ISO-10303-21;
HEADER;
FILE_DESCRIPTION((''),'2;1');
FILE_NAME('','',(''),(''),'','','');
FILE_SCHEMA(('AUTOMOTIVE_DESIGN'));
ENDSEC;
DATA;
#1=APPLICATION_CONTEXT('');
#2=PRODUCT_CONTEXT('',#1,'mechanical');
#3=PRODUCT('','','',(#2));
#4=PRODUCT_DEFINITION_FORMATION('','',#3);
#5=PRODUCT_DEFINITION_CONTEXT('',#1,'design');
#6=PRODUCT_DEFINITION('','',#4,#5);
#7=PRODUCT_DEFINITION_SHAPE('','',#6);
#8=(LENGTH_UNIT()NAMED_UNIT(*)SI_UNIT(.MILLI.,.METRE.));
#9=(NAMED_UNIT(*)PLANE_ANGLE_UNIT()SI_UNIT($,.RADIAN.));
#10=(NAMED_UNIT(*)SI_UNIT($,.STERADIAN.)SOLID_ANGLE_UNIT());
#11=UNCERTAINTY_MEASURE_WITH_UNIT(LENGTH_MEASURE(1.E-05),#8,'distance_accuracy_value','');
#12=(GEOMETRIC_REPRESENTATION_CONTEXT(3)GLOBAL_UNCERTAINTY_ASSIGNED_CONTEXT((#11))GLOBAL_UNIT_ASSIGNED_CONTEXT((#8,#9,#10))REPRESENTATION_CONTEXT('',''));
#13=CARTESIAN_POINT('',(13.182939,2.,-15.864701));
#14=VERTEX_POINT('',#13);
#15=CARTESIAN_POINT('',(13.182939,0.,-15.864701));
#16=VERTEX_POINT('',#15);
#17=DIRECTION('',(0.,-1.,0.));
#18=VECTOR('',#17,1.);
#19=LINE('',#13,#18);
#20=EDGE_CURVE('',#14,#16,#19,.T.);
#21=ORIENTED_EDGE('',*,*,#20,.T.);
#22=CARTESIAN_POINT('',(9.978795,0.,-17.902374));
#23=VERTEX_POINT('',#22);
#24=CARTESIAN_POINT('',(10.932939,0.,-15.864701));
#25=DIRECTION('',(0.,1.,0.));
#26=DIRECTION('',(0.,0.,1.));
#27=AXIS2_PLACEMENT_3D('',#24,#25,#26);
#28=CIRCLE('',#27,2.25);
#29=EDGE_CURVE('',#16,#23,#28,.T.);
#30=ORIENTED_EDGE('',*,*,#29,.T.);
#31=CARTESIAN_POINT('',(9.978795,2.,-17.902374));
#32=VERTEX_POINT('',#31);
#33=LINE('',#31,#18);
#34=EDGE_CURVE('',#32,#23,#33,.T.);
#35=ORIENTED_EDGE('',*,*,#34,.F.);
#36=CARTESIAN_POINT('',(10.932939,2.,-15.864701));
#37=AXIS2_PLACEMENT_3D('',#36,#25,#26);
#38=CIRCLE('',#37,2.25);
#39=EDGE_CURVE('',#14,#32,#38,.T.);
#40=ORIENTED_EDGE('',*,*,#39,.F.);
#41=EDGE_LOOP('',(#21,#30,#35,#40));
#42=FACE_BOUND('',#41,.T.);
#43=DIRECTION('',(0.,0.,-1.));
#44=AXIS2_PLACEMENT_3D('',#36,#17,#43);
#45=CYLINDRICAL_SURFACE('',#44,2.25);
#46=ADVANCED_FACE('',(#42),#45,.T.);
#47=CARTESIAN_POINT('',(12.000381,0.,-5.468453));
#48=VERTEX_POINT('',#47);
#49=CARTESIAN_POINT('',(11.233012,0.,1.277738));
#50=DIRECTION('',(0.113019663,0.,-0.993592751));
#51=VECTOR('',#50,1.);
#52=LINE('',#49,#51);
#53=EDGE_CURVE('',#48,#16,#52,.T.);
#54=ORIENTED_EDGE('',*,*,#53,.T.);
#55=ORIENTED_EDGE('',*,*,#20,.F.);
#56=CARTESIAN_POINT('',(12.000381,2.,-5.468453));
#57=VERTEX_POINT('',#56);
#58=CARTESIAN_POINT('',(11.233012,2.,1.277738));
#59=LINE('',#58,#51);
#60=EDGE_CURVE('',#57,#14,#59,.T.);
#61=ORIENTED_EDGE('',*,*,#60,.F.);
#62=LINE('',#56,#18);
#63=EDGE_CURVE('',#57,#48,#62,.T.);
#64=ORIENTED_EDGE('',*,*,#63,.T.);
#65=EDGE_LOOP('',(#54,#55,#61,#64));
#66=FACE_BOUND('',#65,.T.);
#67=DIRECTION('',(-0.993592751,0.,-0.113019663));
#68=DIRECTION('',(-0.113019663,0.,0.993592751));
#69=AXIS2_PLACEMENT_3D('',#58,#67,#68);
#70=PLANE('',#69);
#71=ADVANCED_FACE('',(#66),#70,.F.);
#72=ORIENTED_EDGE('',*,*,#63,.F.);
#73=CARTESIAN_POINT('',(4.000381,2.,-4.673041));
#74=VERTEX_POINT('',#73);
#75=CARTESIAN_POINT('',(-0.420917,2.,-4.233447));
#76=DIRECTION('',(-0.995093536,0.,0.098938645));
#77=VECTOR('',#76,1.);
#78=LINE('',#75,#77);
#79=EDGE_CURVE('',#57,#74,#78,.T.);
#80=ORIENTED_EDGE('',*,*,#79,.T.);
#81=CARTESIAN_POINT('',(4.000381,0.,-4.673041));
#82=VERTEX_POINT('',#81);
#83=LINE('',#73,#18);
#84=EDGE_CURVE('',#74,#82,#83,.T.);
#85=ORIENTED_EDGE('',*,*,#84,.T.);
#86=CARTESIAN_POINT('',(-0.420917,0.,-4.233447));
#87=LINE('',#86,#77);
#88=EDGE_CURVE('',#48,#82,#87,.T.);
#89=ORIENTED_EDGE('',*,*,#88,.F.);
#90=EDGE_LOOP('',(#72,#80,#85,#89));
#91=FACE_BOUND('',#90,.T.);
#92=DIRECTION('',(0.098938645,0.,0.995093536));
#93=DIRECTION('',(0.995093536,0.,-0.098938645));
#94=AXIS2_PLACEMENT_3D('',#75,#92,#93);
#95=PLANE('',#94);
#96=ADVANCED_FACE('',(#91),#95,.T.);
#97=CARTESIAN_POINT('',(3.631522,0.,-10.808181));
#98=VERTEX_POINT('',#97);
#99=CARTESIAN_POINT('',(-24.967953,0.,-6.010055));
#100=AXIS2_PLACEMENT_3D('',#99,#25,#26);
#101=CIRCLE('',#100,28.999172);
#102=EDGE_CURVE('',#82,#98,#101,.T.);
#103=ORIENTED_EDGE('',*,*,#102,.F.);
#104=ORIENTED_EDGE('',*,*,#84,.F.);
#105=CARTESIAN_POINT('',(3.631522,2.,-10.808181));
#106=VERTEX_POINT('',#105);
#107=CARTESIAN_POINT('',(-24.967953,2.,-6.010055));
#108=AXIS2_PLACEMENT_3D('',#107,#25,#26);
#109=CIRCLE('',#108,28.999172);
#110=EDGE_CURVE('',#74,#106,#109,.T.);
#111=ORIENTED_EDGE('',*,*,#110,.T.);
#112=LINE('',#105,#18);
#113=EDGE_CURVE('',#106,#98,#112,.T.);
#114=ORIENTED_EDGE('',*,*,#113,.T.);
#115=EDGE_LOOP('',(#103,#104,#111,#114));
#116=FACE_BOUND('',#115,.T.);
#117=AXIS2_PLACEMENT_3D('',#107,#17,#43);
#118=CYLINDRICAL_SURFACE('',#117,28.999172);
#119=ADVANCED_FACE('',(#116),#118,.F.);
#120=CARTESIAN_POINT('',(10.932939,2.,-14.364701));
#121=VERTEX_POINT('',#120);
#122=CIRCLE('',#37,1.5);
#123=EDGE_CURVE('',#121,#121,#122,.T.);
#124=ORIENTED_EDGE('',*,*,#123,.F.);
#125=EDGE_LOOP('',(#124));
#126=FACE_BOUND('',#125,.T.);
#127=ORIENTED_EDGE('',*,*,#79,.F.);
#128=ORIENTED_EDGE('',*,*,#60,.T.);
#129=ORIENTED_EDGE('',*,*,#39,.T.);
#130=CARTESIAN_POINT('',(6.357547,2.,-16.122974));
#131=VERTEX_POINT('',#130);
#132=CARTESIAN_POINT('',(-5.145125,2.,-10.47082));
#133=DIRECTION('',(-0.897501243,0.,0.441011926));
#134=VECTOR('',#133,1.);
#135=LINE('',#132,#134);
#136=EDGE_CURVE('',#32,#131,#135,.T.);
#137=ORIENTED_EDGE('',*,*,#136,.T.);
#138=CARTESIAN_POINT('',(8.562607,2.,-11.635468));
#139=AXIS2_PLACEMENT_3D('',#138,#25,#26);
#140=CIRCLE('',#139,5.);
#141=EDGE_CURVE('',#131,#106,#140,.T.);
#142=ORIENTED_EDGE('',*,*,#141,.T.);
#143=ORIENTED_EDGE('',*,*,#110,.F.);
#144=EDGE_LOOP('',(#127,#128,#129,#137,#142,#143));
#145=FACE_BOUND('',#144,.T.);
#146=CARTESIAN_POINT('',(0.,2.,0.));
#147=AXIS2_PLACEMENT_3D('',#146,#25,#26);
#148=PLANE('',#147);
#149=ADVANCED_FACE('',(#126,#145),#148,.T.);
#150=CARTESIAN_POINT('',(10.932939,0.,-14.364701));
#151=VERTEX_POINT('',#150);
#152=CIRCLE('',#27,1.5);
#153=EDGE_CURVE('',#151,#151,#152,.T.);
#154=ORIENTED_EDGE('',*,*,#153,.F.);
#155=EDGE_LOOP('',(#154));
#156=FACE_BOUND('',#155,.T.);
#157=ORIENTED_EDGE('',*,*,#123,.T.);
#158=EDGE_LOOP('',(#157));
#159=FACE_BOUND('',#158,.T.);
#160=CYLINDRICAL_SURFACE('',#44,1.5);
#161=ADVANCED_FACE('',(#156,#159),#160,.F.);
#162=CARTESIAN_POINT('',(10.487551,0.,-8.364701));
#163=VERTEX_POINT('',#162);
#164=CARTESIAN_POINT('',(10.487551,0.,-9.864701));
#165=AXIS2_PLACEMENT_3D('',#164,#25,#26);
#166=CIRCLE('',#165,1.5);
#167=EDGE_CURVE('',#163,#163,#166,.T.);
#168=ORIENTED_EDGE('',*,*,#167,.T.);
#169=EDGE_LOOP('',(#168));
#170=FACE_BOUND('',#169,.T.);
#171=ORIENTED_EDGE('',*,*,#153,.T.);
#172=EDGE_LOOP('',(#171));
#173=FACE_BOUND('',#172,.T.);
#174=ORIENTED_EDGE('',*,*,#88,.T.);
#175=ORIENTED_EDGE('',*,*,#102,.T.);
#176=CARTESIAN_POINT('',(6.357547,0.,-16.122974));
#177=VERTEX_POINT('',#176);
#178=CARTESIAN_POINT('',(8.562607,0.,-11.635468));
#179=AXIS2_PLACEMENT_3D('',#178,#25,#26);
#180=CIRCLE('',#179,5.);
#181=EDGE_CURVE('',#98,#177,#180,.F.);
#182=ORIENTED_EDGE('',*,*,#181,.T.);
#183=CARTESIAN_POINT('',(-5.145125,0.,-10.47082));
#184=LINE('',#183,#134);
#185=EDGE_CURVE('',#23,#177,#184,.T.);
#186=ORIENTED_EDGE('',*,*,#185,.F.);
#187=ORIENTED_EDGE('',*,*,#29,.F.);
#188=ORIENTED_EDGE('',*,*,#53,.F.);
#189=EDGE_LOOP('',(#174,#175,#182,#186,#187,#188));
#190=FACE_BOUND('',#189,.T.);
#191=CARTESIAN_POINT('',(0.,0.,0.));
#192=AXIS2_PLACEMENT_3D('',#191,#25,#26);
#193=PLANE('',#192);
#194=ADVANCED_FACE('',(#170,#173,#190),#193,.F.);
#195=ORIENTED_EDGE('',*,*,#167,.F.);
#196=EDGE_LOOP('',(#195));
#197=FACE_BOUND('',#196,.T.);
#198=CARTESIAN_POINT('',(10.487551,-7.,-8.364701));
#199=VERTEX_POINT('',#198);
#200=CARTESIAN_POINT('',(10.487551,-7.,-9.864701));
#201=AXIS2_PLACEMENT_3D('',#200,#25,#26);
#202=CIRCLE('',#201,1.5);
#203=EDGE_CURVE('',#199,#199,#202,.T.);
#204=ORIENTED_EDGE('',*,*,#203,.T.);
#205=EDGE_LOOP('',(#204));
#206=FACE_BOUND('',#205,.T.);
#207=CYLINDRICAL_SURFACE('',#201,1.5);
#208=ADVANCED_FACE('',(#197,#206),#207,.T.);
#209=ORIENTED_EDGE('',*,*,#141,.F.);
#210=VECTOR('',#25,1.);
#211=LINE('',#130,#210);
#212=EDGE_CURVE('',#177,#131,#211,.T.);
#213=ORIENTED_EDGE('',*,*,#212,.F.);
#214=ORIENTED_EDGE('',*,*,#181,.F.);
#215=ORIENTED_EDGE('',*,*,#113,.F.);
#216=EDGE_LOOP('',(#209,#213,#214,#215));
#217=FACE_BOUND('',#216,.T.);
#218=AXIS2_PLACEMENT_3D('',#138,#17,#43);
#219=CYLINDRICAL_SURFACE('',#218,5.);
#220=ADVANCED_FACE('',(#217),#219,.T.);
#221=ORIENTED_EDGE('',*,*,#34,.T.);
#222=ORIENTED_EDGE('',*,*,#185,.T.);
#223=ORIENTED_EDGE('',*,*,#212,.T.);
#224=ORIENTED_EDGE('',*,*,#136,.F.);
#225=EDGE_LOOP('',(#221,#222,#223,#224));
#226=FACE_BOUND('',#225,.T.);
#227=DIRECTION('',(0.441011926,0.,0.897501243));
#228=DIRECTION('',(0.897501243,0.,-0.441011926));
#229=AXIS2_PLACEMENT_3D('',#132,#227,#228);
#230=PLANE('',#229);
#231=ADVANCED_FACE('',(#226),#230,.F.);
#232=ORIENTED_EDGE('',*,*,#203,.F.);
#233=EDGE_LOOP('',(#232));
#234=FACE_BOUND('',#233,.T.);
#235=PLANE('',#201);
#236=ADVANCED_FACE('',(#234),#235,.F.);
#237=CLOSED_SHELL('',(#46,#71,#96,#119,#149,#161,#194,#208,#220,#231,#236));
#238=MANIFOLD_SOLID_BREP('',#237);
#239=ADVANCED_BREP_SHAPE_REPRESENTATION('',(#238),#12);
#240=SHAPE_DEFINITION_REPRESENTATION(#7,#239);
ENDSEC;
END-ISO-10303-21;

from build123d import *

# Parameters (mm, degrees)
SKETCH2_R           = 1.5
BOSS_EXTRUDE1_DEPTH = 2
SKETCH3_R           = 1.5
BOSS_EXTRUDE2_DEPTH = 7
FILLET1_R           = 5


with BuildPart() as part:
    # Sketch2 → Boss-Extrude1 (new body)
    with BuildSketch(Plane(origin=(0, 0, 0), x_dir=(1, 0, 0), z_dir=(0, 1, 0))):
        with BuildLine():
            Line((4.000381204, 4.673041052), (12.000381204, 5.468452872))
            Line((12.000381204, 5.468452872), (13.182938655, 15.86470146))
            ThreePointArc((13.182938655, 15.86470146), (12.140348497, 17.763296064), (9.978795124, 17.902374182))
            Line((9.978795124, 17.902374182), (2.798785178, 14.374278777))
            ThreePointArc((2.798785178, 14.374278777), (3.811303646, 9.574655641), (4.000381204, 4.673041052))
        make_face()
        with Locations(Location((10.932938655, 15.86470146, 0), (0, 0, 270))):
            Circle(SKETCH2_R, mode=Mode.SUBTRACT)
    extrude(amount=BOSS_EXTRUDE1_DEPTH)

    # Sketch3 → Boss-Extrude2 (add)
    with BuildSketch(Plane(origin=(0, 0, 0), x_dir=(1, 0, 0), z_dir=(0, 1, 0))):
        with Locations(Location((10.487550657, 9.86470146, 0), (0, 0, 270))):
            Circle(SKETCH3_R)
    extrude(amount=-BOSS_EXTRUDE2_DEPTH)

    # Fillet1
    fillet1_edges = [part.edges().sort_by_distance(p)[0] for p in [
        (2.798785178, 1, -14.374278777),
    ]]
    fillet(fillet1_edges, radius=FILLET1_R)


solid = part.part
